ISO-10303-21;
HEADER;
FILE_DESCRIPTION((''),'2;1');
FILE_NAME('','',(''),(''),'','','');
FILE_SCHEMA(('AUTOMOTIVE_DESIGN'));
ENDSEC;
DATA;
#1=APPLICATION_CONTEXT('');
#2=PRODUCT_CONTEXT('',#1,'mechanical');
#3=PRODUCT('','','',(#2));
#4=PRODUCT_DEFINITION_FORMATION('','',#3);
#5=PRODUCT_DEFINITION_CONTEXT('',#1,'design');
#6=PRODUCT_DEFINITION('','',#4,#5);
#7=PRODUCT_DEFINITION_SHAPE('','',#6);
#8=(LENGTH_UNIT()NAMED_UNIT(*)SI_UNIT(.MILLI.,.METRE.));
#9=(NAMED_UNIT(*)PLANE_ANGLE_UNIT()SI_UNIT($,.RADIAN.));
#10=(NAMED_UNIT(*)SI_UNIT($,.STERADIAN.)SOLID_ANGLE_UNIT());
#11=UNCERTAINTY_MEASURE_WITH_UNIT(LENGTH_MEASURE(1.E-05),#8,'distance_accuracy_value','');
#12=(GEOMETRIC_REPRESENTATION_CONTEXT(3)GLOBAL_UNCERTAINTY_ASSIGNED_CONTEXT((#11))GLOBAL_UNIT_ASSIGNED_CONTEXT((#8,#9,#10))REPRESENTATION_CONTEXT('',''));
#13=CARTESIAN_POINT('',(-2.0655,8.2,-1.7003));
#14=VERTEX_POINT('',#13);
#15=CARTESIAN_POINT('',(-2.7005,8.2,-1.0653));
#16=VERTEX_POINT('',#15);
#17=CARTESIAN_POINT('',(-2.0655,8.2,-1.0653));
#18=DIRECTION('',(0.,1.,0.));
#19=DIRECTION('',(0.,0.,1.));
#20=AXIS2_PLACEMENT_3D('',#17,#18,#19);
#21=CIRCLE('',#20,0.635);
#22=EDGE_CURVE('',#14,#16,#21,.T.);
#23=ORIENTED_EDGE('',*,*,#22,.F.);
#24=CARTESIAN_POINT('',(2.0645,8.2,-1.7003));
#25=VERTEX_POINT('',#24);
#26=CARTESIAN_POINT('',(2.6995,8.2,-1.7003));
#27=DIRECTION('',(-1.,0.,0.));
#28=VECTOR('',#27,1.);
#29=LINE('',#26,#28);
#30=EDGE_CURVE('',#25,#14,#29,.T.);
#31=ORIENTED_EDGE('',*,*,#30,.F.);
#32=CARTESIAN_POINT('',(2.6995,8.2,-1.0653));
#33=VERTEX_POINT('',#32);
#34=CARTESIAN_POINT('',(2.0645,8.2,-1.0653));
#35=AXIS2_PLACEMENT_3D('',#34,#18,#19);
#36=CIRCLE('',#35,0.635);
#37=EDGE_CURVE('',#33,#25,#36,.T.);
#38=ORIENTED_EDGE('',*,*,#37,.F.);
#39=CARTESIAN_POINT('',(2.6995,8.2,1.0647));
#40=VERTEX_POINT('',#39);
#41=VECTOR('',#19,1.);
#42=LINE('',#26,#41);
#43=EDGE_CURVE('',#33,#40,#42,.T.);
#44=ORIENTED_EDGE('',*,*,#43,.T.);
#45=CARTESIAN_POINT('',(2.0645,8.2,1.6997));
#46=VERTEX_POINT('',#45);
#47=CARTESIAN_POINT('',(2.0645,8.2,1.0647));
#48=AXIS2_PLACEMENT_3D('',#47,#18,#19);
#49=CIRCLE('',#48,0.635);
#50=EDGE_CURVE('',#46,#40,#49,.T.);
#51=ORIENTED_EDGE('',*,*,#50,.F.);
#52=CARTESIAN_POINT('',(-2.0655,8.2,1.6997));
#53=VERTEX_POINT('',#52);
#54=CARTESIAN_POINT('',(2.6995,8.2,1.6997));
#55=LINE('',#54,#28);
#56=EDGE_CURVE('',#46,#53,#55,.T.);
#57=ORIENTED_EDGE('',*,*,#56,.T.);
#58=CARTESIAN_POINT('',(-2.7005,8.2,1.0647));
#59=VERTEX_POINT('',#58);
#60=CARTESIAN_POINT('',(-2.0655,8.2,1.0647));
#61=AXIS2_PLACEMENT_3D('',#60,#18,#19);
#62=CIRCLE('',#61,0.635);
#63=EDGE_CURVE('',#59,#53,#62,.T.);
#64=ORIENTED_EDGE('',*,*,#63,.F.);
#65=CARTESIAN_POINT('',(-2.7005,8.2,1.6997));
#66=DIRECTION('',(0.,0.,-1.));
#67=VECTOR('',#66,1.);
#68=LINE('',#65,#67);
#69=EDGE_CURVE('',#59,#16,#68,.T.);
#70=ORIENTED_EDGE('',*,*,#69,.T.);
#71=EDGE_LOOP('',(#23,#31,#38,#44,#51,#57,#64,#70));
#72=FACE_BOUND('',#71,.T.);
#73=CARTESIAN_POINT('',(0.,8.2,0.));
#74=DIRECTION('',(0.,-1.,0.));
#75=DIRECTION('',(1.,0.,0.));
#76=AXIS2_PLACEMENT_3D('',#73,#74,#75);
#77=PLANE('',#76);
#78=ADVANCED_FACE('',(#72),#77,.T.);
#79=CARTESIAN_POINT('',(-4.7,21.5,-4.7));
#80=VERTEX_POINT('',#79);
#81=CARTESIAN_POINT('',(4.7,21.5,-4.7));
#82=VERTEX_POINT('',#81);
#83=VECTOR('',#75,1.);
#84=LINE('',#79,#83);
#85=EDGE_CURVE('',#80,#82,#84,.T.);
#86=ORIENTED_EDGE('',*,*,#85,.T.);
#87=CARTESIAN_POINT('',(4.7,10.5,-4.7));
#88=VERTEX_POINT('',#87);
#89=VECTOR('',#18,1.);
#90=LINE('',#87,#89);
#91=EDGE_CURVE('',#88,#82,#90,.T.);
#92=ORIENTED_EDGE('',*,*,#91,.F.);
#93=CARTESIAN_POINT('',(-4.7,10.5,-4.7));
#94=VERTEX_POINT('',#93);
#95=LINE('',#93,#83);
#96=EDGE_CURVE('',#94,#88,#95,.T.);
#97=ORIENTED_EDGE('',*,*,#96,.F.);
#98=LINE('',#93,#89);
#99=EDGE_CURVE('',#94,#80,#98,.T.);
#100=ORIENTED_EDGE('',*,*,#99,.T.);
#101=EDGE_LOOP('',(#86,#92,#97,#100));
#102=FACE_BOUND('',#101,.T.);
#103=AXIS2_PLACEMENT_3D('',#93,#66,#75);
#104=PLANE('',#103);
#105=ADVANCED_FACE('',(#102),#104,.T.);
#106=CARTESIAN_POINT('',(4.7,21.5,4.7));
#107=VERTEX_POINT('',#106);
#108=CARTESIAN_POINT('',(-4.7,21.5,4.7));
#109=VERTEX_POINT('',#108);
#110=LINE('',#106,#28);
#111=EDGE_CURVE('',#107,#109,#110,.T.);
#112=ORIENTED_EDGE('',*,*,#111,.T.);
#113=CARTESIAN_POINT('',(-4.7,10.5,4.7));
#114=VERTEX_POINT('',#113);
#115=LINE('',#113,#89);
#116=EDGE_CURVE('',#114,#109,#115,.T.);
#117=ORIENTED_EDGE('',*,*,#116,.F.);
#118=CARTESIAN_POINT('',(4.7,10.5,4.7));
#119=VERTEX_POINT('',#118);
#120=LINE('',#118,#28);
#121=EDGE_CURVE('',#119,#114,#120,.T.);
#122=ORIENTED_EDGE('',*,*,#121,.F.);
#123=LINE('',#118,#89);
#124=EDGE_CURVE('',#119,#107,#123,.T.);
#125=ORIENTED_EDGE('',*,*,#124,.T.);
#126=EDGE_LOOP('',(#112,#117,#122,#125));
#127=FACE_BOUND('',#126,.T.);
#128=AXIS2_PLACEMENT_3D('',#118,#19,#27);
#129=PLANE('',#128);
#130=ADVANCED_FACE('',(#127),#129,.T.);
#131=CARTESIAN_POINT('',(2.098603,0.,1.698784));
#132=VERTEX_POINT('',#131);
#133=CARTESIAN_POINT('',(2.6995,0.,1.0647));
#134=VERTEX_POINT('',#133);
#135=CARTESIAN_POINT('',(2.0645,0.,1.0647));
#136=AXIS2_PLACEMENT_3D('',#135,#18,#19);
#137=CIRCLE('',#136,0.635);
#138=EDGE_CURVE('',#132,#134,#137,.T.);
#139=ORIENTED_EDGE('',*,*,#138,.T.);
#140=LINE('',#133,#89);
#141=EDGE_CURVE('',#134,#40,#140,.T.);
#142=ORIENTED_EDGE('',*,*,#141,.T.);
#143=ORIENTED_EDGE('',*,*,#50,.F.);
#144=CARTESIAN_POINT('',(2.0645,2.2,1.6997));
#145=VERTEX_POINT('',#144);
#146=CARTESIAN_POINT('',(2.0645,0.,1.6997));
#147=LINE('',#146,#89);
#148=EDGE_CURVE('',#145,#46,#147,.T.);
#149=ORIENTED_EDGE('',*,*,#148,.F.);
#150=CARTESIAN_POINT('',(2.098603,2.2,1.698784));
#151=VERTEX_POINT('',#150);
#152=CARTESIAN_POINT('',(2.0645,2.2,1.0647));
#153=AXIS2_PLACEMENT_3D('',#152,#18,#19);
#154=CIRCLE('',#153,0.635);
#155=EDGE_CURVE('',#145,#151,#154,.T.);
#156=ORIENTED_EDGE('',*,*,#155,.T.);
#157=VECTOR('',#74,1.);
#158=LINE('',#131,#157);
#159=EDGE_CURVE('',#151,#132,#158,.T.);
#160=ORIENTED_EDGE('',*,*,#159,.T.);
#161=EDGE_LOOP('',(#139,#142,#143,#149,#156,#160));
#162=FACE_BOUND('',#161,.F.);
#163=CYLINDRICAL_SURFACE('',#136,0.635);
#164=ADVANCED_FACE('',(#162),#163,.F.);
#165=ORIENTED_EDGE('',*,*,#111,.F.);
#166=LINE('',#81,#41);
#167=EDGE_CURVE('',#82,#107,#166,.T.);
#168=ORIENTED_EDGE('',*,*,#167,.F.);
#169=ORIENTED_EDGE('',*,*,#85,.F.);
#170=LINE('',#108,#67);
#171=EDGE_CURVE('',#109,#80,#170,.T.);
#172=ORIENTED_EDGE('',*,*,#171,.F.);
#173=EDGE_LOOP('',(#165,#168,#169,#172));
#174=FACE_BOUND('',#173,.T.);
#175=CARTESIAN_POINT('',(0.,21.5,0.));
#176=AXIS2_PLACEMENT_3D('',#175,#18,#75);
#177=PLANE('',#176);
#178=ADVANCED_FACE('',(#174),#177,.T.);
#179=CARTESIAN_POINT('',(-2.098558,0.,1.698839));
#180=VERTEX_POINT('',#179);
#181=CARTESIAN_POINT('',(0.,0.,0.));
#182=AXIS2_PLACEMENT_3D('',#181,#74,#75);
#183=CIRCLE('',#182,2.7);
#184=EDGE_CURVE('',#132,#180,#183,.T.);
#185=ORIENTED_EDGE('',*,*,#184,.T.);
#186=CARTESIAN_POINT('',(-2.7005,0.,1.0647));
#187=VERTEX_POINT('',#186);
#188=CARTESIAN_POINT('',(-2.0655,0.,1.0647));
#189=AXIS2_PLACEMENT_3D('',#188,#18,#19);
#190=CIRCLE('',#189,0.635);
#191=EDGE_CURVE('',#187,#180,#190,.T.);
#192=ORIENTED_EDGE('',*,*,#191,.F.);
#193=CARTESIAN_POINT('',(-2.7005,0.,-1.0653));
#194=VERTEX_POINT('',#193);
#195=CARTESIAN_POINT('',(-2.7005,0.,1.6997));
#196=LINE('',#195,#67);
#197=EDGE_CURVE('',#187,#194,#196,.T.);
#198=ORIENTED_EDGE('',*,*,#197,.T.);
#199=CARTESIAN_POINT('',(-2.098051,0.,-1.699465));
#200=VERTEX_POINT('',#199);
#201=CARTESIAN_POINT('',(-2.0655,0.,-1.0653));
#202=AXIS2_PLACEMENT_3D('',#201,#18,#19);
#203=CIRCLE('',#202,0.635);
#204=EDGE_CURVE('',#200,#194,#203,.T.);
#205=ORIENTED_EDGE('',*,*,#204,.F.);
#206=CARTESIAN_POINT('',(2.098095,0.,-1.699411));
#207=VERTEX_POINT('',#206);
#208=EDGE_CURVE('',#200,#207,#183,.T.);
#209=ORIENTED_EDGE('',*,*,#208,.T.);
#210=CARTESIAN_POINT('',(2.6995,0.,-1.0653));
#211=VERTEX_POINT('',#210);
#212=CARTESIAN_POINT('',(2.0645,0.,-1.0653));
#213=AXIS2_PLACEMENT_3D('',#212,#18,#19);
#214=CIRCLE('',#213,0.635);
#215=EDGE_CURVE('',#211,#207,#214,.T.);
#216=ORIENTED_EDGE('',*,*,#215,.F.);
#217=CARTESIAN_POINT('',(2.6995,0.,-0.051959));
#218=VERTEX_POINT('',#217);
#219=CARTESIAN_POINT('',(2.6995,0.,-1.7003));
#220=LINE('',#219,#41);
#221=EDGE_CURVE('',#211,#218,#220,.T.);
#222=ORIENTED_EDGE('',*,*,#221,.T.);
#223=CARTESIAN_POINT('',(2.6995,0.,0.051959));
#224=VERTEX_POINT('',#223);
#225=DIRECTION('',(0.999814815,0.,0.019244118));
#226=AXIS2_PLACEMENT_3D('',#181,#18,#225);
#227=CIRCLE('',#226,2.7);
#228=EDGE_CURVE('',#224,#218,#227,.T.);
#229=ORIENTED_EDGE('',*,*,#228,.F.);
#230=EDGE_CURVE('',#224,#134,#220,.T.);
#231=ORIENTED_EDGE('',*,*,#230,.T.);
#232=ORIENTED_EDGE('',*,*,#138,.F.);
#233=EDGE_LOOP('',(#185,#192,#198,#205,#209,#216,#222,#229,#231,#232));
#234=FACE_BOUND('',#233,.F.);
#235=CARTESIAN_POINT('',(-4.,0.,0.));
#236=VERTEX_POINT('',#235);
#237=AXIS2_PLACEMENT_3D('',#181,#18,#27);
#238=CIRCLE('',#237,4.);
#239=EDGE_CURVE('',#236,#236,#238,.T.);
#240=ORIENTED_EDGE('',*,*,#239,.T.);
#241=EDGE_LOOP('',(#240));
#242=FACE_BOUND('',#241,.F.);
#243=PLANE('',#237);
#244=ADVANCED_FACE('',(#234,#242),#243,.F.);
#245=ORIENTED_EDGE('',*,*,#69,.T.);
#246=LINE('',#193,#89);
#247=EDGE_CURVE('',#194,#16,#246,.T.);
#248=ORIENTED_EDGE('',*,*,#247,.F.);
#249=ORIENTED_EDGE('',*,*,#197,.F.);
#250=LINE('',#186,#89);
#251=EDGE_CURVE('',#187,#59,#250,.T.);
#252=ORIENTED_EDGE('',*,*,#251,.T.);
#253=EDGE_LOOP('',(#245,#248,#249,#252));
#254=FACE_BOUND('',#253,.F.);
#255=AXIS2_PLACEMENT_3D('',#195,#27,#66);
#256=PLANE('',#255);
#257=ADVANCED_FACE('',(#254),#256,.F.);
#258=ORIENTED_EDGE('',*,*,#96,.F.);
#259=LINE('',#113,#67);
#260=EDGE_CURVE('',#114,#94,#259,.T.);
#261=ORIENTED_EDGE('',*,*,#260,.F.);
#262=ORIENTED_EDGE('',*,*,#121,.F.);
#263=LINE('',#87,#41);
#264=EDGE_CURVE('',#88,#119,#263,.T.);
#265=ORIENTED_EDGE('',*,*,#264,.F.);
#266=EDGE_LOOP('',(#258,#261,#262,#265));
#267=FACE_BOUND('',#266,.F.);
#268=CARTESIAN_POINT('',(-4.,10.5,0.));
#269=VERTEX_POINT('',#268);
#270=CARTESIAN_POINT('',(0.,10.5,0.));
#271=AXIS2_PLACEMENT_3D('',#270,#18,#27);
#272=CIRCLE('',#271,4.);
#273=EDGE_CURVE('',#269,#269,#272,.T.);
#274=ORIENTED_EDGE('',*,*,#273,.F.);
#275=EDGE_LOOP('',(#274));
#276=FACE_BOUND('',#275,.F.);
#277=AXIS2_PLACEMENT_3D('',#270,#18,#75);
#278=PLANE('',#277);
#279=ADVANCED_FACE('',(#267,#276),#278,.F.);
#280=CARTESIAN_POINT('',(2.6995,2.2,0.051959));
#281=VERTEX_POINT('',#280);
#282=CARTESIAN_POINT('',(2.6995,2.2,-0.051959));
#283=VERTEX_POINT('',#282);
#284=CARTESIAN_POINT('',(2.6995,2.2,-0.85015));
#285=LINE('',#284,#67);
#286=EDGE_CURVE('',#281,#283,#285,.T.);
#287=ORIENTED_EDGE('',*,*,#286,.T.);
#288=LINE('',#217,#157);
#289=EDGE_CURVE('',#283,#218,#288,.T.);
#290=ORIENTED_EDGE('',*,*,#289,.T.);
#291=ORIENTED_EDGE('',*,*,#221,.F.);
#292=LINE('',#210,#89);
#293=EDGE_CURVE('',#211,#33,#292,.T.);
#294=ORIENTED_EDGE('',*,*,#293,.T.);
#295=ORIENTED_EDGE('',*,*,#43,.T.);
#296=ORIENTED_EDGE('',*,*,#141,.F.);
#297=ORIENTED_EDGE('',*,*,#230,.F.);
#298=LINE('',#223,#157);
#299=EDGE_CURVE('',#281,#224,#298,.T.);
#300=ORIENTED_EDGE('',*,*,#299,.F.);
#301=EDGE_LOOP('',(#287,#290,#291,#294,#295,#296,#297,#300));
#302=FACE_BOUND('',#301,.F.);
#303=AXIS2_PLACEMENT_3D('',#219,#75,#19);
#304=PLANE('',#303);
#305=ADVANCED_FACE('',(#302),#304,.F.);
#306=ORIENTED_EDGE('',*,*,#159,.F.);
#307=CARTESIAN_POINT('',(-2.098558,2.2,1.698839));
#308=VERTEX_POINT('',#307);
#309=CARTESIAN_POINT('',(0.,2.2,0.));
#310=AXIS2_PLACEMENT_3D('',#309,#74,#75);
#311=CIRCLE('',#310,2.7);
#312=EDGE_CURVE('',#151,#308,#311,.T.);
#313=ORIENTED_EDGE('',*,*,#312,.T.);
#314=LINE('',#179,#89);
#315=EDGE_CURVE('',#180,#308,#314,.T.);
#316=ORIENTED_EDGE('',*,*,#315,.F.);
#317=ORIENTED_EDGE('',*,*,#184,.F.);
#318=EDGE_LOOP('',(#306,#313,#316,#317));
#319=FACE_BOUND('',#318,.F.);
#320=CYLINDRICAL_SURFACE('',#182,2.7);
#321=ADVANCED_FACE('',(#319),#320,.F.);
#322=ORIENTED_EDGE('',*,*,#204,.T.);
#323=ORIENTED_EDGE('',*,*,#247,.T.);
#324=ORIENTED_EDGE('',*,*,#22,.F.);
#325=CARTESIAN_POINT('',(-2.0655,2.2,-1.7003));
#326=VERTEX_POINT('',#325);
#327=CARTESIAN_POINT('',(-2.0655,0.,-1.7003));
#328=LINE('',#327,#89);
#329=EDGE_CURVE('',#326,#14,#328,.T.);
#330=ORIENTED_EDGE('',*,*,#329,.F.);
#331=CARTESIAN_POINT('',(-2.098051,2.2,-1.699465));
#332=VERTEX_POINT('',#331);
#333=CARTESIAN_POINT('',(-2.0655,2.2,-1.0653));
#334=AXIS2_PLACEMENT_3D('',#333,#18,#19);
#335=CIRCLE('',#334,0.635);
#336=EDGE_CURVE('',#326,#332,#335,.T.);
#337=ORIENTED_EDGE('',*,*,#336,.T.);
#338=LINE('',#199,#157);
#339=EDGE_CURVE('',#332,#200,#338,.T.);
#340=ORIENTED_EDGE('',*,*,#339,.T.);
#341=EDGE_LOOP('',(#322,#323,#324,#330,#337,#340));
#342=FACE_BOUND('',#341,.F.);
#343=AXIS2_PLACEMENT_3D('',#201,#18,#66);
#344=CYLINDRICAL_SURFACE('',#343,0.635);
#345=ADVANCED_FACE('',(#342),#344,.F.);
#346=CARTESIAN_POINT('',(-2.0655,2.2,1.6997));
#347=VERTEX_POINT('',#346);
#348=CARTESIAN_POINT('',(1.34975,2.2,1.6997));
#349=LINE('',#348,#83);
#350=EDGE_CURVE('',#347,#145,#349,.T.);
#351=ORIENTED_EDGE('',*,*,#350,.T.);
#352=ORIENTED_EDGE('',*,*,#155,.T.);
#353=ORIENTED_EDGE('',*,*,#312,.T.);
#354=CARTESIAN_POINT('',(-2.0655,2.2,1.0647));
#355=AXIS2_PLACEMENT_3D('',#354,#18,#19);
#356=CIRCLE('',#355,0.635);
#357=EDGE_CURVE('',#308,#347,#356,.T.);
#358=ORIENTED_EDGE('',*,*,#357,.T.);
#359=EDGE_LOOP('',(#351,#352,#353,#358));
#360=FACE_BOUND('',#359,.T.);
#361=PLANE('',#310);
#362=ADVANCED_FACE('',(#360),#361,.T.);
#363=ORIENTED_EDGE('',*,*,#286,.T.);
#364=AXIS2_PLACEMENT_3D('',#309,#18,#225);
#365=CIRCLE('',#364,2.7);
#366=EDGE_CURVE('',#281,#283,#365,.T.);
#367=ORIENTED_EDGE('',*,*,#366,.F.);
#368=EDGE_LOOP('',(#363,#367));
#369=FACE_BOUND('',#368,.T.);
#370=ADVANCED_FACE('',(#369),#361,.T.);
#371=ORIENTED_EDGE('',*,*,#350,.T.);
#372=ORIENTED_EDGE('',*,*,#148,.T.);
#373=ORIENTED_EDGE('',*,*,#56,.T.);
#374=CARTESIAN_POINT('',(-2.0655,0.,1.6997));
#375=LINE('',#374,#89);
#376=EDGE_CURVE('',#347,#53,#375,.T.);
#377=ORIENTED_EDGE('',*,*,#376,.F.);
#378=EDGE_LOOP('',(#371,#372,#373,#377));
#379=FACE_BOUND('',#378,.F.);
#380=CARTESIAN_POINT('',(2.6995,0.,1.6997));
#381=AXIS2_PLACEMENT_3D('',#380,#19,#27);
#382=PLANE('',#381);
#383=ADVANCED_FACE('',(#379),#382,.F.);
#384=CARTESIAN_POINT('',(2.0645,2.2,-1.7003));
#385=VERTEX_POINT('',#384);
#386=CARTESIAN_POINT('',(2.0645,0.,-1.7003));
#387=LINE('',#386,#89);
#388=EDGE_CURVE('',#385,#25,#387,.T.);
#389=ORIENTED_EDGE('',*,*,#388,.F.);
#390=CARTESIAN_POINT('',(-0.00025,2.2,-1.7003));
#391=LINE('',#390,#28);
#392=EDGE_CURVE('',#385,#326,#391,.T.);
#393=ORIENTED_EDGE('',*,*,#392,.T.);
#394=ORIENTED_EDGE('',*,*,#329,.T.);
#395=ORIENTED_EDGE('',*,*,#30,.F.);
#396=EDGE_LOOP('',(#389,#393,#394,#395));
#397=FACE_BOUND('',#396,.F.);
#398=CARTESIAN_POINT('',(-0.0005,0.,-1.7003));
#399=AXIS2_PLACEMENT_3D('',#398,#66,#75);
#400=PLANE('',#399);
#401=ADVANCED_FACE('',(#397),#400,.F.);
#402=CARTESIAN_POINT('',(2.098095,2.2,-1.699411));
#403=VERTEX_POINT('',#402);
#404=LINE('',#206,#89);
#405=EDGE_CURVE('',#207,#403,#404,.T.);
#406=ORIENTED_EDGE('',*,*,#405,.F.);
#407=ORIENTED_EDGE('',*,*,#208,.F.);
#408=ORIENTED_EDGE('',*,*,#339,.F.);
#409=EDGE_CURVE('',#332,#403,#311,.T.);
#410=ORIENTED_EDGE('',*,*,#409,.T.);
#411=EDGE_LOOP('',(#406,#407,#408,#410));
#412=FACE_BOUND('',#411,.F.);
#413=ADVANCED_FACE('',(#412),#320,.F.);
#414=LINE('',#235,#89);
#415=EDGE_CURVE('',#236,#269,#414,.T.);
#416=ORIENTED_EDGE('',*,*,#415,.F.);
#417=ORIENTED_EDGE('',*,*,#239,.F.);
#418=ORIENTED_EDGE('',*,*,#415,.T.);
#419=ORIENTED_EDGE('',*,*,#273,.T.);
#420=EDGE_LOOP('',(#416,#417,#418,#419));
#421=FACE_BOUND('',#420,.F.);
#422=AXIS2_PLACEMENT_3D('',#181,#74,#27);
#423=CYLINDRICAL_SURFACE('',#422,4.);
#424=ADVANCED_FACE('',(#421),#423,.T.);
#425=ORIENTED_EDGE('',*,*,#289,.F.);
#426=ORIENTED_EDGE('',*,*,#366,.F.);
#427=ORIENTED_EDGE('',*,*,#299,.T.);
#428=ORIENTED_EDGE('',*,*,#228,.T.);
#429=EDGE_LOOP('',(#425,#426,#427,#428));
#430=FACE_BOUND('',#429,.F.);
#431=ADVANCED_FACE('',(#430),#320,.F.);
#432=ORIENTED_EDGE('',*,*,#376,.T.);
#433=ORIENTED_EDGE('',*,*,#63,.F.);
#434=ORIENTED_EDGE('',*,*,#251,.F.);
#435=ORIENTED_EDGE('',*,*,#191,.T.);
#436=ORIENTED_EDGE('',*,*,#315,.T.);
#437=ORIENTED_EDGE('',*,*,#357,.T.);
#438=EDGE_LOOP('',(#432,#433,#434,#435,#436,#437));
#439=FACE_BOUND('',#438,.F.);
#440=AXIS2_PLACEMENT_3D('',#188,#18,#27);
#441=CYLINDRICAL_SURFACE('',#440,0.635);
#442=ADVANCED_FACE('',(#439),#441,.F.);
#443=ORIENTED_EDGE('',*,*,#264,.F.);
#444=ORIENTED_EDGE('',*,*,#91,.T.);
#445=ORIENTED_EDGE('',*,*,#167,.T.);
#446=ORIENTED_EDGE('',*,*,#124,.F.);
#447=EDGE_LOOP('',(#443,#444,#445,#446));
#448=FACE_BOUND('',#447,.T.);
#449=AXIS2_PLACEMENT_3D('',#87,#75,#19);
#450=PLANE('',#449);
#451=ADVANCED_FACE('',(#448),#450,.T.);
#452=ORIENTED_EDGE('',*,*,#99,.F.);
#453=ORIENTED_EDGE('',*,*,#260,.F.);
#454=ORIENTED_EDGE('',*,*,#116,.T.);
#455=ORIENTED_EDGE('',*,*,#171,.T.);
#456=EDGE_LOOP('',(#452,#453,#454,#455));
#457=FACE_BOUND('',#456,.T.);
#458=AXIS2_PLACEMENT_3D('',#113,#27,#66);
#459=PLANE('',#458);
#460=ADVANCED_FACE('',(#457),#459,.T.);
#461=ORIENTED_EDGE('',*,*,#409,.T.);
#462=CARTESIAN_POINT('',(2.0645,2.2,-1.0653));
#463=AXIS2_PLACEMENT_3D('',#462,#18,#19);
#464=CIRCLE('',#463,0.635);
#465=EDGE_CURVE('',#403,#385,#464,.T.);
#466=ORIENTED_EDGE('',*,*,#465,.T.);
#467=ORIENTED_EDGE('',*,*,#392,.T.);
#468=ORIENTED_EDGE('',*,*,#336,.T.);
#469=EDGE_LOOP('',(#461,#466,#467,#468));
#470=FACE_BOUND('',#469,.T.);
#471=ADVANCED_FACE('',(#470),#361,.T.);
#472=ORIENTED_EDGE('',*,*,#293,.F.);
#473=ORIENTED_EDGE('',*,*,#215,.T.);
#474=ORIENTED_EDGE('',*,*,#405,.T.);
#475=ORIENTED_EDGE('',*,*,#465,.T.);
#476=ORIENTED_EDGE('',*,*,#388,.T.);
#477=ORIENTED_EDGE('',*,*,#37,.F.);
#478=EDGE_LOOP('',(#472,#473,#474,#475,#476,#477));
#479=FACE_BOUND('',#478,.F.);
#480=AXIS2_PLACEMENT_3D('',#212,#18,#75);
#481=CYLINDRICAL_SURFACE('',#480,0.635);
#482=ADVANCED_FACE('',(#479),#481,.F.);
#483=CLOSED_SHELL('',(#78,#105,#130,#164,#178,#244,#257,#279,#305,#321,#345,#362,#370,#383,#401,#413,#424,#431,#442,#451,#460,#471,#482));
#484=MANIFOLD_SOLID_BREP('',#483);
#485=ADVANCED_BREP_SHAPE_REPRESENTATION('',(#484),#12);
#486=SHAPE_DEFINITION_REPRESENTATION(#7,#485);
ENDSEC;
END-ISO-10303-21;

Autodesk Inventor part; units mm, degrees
ref_plane "YZ Plane" through (0, 0, 0) normal (1, 0, 0) x (0, 1, 0)
ref_plane "XZ Plane" through (0, 0, 0) normal (0, 1, 0) x (-1, 0, 0)
ref_plane "XY Plane" through (0, 0, 0) normal (0, 0, 1) x (1, 0, 0)
sketch "Sketch1" plane through (0, 0, 0) normal (0, 1, 0) x (-1, 0, 0)
  line L0 (14.5, -14.5) -> (-14.5, -14.5)
  line L1 (-14.5, -14.5) -> (-14.5, 14.5)
  line L2 (-14.5, 14.5) -> (14.5, 14.5)
  line L3 (14.5, 14.5) -> (14.5, -14.5)
  circle A0 centre (0, 0) radius 4
  dimension "d11" = 29
  dimension "d14" = 29
  dimension "d31" = 8
extrude "Extrusion1" add sketch "Sketch1" along normal blind 10.5 contours A0
sketch "Sketch2" plane through (0, 10.5, 0) normal (0, 1, 0) x (1, 0, 0)
  line L0 (-4.7, 4.7) -> (4.7, 4.7)
  line L1 (4.7, 4.7) -> (4.7, -4.7)
  line L2 (4.7, -4.7) -> (-4.7, -4.7)
  line L3 (-4.7, -4.7) -> (-4.7, 4.7)
  line L4 (14.5, 14.5) -> (-14.5, 14.5) projected
  line L5 (14.5, -14.5) -> (14.5, 14.5) projected
  line L6 (-14.5, -14.5) -> (14.5, -14.5) projected
  line L7 (-14.5, 14.5) -> (-14.5, -14.5) projected
  point P0 (0, 0)
  dimension "d15" = 9.8
  dimension "d16" = 9.8
  dimension "d17" = 9.8
  dimension "d18" = 9.8
  dimension "d32" = 9.4
  dimension "d50" = 29
extrude "Extrusion2" add sketch "Sketch2" along normal blind 11 contours L0 L1 L2 L3
sketch "Sketch3" plane through (0, 0, 0) normal (0, -1, 0) x (1, 0, 0)
  line L0 (-0.0005, -0.0003) -> (-0.0005, -1.7003)
  line L1 (-0.0005, -1.7003) -> (2.6995, -1.7003)
  line L2 (2.6995, -1.7003) -> (2.6995, 1.6997)
  line L3 (2.6995, 1.6997) -> (-2.7005, 1.6997)
  line L4 (-2.7005, 1.6997) -> (-2.7005, -1.7003)
  line L5 (-2.7005, -1.7003) -> (-0.0005, -1.7003)
  dimension "d42" = 1.7
  dimension "d43" = 2.7
  dimension "d44" = 3.4
  dimension "d45" = 5.4
extrude "Extrusion3" cut sketch "Sketch3" against normal blind 8.2
sketch "Sketch5" plane through (0, 0, 0) normal (0, -1, 0) x (1, 0, 0)
  circle A0 centre (0, 0) radius 2.7
  dimension "d35" = 5.4
extrude "Extrusion4" cut sketch "Sketch5" against normal blind 2.2
fillet "Fillet1" radius 0.635 4 edges at (2.6995, 4.1, 1.6997) (2.6995, 4.1, -1.7003) (-2.7005, 4.1, -1.7003) (-2.7005, 4.1, 1.6997)
equation "\"d14\" = d11"
equation "\"d16\" = d15"
equation "\"d17\" = d15"
equation "\"d18\" = d15"
equation "\"d42\" = 0.5 * d44"
properties part number "Motor_Key_Bearing_2_2"
